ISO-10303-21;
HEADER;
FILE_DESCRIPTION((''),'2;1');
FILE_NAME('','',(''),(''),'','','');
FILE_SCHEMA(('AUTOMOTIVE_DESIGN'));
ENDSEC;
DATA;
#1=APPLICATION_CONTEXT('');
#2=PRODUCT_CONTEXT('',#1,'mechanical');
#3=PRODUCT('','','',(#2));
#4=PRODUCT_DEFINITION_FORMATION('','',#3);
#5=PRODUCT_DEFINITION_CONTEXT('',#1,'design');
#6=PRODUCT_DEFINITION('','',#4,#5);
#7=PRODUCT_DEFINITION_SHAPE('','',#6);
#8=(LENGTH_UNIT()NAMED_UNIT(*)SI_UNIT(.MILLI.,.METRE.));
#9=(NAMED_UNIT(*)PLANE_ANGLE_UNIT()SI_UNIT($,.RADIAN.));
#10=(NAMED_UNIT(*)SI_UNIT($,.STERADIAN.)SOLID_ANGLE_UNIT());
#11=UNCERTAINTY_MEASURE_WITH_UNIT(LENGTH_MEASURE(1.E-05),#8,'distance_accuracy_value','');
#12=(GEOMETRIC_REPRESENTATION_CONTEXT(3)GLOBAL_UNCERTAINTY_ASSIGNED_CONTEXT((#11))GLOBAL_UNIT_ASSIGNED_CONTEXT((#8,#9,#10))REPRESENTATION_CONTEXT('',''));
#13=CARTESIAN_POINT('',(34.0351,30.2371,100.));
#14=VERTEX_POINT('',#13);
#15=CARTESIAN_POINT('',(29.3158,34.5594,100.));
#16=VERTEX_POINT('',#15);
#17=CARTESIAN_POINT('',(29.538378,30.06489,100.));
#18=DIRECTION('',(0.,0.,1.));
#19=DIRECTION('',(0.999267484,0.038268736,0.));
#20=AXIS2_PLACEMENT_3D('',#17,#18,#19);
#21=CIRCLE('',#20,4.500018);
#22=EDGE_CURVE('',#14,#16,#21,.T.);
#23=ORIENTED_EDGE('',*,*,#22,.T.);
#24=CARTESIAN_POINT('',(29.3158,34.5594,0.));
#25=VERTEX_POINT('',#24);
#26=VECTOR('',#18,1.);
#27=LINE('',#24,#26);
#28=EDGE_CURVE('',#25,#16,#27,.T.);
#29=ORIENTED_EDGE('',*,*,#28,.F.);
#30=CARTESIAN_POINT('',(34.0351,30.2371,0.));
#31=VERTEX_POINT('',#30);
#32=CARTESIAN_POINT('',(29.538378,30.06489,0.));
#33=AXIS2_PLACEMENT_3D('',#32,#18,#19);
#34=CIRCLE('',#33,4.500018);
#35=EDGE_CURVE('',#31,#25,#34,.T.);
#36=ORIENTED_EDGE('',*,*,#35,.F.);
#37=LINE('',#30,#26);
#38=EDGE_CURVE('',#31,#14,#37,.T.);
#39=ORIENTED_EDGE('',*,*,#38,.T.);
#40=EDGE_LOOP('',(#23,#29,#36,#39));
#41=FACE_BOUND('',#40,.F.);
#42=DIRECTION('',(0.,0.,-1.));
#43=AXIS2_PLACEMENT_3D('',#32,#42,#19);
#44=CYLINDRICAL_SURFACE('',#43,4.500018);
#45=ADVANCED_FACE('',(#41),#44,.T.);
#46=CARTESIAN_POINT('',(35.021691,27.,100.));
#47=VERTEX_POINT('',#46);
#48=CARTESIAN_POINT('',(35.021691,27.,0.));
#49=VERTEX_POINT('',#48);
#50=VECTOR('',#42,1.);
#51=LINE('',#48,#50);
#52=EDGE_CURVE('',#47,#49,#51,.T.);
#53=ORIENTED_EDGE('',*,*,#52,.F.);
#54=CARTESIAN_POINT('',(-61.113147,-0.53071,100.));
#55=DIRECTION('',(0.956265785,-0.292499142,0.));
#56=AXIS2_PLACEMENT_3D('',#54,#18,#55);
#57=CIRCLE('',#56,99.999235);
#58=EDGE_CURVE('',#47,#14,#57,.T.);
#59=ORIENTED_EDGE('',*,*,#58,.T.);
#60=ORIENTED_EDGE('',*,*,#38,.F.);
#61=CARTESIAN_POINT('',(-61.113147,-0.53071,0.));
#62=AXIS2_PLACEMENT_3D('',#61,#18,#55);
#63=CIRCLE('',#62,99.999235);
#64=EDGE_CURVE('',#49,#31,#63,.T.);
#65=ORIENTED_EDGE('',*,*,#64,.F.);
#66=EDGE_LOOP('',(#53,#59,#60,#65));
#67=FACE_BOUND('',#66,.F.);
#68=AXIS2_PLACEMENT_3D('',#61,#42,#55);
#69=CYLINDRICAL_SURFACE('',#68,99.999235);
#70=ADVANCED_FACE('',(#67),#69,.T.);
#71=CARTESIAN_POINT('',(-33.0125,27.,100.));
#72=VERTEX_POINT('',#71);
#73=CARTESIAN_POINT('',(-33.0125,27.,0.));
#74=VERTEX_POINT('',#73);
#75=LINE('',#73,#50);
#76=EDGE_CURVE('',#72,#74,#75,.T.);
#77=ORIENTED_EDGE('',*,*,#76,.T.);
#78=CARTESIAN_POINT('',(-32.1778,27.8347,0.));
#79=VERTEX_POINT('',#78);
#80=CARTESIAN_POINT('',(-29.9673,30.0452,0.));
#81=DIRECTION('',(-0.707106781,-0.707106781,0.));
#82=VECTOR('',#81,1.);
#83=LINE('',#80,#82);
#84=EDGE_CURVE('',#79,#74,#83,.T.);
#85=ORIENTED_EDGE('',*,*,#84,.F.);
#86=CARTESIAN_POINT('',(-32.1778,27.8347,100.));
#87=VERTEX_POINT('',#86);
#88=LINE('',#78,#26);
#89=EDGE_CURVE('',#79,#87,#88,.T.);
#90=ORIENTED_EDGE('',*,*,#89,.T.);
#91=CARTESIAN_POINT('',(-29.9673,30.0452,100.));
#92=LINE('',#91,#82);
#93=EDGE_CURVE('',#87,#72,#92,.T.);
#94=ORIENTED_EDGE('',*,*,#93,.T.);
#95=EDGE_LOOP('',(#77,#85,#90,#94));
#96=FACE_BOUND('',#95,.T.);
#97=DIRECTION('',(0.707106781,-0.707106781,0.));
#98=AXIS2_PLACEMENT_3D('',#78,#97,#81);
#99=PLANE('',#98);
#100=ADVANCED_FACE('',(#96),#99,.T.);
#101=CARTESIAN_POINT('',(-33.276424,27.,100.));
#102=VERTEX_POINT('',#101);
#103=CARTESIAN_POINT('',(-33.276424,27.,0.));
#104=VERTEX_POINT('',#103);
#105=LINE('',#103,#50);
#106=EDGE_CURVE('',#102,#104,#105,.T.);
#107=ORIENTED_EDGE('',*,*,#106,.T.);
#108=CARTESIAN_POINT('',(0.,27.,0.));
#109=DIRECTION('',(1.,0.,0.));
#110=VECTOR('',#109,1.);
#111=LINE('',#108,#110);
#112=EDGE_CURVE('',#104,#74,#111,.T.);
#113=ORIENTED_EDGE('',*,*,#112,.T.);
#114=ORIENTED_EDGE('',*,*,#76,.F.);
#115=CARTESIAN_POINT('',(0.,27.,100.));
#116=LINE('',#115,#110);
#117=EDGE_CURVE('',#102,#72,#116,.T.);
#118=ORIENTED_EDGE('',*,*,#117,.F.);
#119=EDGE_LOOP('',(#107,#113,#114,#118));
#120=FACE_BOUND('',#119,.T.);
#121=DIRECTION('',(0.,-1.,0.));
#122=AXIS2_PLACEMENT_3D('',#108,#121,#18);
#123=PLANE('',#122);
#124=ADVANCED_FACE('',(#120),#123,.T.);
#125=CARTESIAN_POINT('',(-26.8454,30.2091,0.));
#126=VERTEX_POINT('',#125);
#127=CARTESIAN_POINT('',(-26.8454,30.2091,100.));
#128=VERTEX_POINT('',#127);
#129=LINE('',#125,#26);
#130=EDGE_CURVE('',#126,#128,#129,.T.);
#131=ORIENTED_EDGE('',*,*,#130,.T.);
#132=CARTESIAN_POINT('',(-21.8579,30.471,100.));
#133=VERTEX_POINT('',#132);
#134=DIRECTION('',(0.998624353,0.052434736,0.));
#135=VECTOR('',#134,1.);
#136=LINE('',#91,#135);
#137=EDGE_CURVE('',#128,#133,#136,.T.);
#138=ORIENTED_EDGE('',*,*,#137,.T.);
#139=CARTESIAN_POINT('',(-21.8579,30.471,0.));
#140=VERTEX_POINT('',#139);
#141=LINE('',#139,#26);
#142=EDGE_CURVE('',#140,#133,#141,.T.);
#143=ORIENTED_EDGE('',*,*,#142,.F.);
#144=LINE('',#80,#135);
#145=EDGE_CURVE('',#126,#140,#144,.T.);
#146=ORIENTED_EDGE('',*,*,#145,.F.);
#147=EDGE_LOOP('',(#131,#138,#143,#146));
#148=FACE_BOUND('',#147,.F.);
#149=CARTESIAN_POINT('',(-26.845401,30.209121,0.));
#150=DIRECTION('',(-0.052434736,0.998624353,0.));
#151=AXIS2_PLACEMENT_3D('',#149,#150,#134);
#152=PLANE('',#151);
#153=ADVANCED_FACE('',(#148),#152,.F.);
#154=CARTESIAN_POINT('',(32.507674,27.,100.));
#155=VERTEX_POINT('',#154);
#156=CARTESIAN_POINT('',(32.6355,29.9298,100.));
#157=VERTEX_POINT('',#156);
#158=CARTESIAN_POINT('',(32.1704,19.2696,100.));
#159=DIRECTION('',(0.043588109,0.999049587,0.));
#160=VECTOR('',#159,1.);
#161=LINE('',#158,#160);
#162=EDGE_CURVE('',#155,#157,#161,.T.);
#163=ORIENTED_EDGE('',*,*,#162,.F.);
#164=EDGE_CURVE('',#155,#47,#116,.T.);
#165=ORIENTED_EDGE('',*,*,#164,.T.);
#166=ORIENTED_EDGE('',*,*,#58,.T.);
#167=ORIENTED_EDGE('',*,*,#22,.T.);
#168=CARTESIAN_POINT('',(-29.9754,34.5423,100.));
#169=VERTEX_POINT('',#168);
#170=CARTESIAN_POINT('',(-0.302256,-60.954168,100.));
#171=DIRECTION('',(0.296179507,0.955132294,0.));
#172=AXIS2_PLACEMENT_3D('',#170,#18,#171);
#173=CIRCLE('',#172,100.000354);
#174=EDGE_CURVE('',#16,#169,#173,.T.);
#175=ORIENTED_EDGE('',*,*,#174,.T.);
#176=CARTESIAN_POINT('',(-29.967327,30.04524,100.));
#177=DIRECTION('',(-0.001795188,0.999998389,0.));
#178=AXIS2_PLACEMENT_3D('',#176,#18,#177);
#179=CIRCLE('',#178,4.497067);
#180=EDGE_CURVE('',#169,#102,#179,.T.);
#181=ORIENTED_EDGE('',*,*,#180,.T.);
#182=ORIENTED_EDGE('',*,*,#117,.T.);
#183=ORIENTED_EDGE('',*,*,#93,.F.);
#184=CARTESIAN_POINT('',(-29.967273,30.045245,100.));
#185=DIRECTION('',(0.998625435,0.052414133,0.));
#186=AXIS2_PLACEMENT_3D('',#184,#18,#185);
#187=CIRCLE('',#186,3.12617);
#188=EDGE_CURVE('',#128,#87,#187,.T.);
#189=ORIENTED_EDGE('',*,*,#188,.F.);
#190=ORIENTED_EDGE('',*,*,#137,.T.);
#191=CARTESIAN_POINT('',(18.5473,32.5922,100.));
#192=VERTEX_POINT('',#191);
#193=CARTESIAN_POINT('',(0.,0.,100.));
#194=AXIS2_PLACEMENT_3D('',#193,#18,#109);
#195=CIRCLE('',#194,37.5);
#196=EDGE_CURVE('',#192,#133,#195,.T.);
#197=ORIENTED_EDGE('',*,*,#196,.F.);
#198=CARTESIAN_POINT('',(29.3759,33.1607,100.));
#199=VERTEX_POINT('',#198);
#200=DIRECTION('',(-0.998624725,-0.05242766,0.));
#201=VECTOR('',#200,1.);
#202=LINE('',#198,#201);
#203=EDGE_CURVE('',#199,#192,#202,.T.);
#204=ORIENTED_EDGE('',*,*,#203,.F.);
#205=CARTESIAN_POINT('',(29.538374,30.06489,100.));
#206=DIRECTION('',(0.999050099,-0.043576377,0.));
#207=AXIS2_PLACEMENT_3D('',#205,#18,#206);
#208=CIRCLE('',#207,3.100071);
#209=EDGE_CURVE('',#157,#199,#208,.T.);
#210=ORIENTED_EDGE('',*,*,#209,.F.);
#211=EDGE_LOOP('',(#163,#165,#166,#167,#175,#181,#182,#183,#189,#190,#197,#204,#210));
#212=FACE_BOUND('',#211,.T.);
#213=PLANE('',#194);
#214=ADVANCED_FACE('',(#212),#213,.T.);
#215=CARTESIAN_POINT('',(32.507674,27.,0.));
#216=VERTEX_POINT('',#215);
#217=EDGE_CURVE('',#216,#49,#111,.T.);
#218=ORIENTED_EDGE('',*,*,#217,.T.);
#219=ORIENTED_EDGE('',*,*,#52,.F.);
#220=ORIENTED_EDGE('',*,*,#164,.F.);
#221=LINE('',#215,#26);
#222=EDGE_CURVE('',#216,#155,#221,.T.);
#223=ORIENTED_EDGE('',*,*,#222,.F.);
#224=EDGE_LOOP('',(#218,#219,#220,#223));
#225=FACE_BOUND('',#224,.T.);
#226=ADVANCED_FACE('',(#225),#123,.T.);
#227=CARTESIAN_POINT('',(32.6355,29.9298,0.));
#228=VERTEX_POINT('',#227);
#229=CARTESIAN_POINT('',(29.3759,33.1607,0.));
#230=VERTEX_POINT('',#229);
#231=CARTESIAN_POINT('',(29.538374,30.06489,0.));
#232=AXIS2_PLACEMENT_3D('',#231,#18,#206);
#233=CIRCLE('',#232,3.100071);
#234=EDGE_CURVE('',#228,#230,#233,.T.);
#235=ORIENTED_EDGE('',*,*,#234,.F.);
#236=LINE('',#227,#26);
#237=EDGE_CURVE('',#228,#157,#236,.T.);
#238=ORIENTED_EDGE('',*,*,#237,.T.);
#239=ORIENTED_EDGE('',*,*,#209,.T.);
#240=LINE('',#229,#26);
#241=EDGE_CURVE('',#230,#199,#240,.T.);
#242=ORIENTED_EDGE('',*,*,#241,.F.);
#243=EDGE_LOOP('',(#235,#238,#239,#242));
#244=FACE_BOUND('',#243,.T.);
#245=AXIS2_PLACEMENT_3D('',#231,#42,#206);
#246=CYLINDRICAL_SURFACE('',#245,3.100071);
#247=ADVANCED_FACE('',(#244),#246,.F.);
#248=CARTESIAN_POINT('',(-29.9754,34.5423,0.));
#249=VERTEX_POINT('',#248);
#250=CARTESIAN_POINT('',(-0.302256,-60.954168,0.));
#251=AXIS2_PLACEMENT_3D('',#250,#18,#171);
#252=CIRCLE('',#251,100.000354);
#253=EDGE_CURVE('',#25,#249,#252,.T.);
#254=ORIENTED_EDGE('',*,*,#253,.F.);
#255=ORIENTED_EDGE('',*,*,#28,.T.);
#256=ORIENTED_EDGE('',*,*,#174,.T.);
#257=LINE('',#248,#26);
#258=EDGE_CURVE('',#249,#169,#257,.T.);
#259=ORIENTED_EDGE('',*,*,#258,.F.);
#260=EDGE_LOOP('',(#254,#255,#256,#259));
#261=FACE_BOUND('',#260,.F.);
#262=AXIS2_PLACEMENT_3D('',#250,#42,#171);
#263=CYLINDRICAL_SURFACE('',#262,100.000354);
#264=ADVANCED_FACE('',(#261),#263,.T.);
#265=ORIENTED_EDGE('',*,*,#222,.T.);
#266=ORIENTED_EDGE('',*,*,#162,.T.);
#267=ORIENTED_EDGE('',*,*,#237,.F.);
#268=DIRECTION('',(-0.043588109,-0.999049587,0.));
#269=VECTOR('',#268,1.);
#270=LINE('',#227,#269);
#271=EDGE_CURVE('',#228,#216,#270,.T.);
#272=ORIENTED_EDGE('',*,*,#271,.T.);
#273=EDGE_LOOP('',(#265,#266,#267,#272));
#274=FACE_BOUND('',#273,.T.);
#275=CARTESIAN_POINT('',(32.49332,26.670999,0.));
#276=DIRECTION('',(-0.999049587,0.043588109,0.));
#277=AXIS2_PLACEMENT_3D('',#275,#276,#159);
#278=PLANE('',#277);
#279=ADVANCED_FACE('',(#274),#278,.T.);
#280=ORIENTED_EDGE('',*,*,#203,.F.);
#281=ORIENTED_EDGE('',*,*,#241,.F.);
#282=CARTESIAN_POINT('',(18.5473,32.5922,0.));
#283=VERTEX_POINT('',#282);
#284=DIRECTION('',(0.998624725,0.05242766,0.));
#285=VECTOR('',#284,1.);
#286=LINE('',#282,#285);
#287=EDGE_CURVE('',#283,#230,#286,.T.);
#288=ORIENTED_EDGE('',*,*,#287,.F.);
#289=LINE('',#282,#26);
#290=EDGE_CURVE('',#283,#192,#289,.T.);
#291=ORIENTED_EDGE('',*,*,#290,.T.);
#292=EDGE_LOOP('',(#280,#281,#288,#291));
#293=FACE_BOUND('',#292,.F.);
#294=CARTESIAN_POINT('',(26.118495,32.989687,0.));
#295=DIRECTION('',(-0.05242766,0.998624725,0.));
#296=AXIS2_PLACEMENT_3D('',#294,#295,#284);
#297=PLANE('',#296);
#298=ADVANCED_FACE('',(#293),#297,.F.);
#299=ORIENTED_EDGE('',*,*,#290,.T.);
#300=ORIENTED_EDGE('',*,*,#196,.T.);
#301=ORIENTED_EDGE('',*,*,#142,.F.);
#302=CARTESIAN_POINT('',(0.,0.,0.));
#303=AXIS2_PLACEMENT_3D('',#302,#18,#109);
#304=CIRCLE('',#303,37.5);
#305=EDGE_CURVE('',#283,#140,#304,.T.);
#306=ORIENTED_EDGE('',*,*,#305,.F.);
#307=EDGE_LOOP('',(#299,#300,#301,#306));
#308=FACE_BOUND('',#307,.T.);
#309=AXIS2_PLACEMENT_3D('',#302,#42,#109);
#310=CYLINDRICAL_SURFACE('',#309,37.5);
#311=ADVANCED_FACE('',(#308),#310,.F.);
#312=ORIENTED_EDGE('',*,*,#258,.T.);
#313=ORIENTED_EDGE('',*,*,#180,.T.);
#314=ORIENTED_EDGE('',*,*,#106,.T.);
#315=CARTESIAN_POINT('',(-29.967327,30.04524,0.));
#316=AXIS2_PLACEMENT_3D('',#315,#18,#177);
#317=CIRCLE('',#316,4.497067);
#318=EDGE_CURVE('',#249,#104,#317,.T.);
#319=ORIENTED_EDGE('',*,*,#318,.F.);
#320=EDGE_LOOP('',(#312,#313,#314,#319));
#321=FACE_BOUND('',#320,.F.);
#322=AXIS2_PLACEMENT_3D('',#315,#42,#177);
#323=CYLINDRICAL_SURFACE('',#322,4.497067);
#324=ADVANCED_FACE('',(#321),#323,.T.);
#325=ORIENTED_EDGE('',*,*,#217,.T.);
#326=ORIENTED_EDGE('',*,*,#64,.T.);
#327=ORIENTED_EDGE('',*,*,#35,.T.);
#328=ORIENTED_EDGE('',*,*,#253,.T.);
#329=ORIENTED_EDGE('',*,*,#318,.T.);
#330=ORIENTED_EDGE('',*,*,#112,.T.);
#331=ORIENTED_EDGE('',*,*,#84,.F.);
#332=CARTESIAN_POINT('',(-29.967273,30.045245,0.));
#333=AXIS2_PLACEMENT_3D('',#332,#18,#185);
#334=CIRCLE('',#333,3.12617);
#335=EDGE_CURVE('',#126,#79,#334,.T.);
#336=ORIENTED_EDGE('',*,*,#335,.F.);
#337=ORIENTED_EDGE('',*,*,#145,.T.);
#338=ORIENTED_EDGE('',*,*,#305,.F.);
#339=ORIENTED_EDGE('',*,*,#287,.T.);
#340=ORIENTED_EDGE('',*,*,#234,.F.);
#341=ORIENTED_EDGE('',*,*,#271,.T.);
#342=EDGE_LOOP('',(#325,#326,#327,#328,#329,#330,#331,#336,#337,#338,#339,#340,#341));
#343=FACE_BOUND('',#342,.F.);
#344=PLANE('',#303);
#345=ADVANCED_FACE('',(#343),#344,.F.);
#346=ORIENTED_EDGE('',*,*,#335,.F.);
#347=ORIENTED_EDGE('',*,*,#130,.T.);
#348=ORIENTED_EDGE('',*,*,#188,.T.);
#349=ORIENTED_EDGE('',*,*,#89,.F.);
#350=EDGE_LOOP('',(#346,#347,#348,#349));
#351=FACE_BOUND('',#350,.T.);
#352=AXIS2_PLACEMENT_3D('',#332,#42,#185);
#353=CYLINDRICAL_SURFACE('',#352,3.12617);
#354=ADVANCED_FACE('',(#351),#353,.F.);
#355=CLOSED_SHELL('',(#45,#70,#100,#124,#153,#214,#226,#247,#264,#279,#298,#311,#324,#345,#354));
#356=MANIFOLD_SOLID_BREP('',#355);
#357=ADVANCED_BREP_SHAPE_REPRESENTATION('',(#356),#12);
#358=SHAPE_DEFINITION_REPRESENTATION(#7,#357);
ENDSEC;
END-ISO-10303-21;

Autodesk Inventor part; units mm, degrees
ref_plane "YZ Plane" through (0, 0, 0) normal (1, 0, 0) x (0, 1, 0)
ref_plane "XY Plane" through (0, 0, 0) normal (0, 0, 1) x (1, 0, 0)
sketch "Sketch1" plane through (0, 0, 0) normal (0, 0, 1) x (1, 0, 0)
  arc A0 (32.6355, 29.9298) -> (29.3759, 33.1607) centre (29.5384, 30.0649) ccw
  arc A1 (27.8274, -32.2191) -> (30.1546, -26.93) centre (30.0194, -30.0271) ccw
  arc A2 (32.4933, 26.671) -> (34.0351, 30.2371) centre (29.5384, 30.0649) ccw
  arc A3 (26.8375, -33.2091) -> (34.5127, -29.7804) centre (30.0194, -30.0271) ccw
  line L0 (-29.9673, 30.0452) -> (-33.1472, 26.8653)
  line L1 (-29.9673, 30.0452) -> (-25.4702, 30.0452) construction
  line L2 (-29.9673, 30.0452) -> (-21.8579, 30.471)
  line L3 (30.0194, -30.0271) -> (30.3698, -21.9984)
  line L4 (30.0194, -30.0271) -> (26.8375, -33.2091)
  circle A4 centre (0, 0) radius 37.5
  arc A5 (34.5127, -29.7804) -> (34.0351, 30.2371) centre (-61.1139, -0.5306) ccw
  arc A6 (29.3158, 34.5594) -> (-29.9754, 34.5423) centre (-0.3022, -60.9538) ccw
  line L5 (18.5473, 32.5922) -> (29.3759, 33.1607)
  line L6 (32.1704, 19.2696) -> (32.6355, 29.9298)
  arc A7 (29.3158, 34.5594) -> (26.1185, 32.9896) centre (29.5384, 30.0649) ccw
  arc A8 (34.0351, 30.2371) -> (29.3158, 34.5594) centre (29.5384, 30.0649) ccw
  arc A9 (-29.9754, 34.5423) -> (-33.1472, 26.8653) centre (-29.9673, 30.0452) ccw
  arc A10 (-26.8454, 30.2091) -> (-32.1778, 27.8347) centre (-29.9673, 30.0452) ccw
  dimension "d0" = 6.2
  dimension "d1" = 6.2
  dimension "d6" = 9
  dimension "d7" = 9
  dimension "d8" = 135
  dimension "d9" = 75
  dimension "d11" = 100
  dimension "d12" = 100
extrude "Extrusion1" add sketch "Sketch1" along normal blind 100 contours A0 L5 A7 A8 A2 L6 | A2 A5 A3 L4 A1 L3 A4 L6 | L5 A4 L2 A10 L0 A9 A6 A7
ref_plane "Work Plane1" through (0, 27, 0) normal (0, 1, 0) x (-1, 0, 0)
split "Split1" plane through (0, 27, 0) removes the side toward (0, -1, 0)
properties part number "Cage60mm-2sides-InnerD75mm-L100mm"
